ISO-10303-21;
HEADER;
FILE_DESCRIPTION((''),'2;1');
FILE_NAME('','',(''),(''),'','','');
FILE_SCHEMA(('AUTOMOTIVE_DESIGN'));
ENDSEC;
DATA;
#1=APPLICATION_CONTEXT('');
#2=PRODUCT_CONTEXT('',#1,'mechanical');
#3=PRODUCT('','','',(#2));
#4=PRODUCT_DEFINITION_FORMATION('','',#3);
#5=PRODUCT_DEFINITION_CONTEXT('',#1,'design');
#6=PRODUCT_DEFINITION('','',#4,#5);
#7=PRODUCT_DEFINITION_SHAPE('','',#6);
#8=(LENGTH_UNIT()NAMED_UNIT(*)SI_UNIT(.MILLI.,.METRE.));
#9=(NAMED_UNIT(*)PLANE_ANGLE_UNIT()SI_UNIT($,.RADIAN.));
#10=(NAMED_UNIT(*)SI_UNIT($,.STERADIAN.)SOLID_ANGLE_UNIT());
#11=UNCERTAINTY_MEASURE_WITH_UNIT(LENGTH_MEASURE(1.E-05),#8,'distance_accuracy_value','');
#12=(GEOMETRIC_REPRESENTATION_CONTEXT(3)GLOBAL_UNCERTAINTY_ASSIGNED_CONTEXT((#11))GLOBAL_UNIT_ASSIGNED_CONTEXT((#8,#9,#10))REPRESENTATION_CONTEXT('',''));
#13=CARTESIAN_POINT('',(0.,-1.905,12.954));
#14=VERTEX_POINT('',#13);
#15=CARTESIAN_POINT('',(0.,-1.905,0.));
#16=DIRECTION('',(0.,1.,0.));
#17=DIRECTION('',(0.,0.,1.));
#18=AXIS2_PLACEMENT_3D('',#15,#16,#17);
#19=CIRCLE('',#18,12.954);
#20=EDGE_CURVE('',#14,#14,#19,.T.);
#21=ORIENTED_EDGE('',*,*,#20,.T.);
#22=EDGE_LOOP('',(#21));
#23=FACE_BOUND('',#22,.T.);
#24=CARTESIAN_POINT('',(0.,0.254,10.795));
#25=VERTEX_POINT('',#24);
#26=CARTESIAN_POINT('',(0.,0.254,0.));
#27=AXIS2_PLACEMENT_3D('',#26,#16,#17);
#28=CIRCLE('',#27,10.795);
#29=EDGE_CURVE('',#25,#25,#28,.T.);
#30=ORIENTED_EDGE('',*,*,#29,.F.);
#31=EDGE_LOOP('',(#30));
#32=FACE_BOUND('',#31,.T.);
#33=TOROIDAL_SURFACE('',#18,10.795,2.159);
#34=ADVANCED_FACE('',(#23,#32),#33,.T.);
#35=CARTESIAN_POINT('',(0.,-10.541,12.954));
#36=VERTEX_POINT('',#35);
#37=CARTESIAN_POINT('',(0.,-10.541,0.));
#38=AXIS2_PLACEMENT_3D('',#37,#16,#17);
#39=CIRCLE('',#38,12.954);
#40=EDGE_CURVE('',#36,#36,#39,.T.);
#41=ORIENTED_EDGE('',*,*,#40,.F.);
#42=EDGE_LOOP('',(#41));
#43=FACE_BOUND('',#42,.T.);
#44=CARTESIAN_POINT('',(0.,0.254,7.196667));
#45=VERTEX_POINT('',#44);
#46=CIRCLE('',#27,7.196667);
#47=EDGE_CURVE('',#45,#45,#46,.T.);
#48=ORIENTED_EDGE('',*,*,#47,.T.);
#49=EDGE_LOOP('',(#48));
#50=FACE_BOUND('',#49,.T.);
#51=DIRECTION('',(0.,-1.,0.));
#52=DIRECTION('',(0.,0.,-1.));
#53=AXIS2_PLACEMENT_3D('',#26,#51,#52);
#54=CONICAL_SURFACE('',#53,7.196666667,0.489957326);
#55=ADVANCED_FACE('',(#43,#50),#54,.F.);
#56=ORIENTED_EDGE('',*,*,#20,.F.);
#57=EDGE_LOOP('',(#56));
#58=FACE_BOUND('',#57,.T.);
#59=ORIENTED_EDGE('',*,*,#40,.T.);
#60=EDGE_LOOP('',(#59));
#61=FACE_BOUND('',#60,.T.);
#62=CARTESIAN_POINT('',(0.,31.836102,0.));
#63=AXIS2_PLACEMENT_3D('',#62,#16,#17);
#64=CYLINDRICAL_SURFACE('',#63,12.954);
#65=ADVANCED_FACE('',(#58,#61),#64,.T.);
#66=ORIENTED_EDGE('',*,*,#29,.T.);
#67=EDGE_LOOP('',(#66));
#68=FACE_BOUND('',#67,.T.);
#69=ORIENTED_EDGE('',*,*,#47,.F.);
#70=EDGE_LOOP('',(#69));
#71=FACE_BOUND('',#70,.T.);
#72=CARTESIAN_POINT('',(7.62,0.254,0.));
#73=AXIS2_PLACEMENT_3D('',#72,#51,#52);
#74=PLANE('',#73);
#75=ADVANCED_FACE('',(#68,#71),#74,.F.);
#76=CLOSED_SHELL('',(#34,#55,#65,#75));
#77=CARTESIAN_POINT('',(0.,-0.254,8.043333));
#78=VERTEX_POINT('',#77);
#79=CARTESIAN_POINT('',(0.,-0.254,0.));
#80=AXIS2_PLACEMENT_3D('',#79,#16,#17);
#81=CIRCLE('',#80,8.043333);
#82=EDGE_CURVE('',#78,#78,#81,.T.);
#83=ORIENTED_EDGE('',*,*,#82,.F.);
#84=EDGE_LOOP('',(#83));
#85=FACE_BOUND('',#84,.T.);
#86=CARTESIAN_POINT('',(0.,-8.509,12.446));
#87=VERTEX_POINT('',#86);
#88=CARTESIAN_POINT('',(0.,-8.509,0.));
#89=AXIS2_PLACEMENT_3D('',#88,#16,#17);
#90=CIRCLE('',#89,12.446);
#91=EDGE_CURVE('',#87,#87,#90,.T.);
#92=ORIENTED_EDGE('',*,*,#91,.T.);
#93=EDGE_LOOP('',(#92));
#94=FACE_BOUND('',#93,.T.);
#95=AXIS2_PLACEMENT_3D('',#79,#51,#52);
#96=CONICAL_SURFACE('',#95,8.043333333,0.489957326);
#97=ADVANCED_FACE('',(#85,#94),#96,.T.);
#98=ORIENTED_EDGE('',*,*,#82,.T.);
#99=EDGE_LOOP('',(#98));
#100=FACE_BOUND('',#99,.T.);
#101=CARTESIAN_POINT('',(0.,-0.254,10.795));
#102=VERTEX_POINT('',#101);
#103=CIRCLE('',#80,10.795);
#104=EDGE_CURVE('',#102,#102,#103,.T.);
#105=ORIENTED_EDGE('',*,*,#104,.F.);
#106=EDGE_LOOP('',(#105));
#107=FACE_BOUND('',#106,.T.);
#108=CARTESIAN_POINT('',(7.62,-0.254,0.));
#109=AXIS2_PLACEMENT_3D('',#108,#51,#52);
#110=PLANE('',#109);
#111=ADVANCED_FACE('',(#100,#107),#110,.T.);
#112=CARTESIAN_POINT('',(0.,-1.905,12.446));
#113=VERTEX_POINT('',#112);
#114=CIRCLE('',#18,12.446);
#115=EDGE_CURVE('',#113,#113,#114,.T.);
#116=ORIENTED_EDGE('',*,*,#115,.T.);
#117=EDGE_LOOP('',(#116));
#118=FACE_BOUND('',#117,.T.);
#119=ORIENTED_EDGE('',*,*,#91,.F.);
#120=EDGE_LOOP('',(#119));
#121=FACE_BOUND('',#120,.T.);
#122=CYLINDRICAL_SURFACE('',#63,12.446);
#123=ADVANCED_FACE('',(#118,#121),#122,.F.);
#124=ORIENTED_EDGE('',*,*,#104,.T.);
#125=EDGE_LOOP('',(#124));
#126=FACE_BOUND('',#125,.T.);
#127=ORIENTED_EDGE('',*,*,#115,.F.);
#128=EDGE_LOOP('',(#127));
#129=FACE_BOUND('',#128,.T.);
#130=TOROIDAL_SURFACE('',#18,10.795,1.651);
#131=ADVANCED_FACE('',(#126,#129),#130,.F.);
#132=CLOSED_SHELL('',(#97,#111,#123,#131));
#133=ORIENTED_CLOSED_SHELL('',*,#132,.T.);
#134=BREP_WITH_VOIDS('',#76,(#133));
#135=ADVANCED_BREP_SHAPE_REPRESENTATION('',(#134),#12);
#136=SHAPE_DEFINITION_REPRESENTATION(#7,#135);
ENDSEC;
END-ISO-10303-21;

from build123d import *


with BuildPart() as part:
    # Sketch1 → Revolve-Thin1 (revolve)
    with BuildSketch(Plane.XY, mode=Mode.PRIVATE) as revolve_thin1_sk:
        with BuildLine():
            Line((12.954, -1.905), (12.954, -10.541))
            Line((12.954, -10.541), (7.196666667, 0.254))
            Line((7.196666667, 0.254), (10.795, 0.254))
            ThreePointArc((10.795, 0.254), (12.321643541, -0.378356459), (12.954, -1.905))
        make_face()
        with BuildLine():
            Line((12.446, -1.905), (12.446, -8.509))
            Line((12.446, -8.509), (8.043333333, -0.254))
            Line((8.043333333, -0.254), (10.795, -0.254))
            ThreePointArc((10.795, -0.254), (11.962433296, -0.737566704), (12.446, -1.905))
        make_face(mode=Mode.SUBTRACT)
    revolve(revolve_thin1_sk.sketch.rotate(Axis((0, 31.836101695, 0), (0, -1, 0)), 90), axis=Axis((0, 31.836101695, 0), (0, -1, 0)))


solid = part.part
